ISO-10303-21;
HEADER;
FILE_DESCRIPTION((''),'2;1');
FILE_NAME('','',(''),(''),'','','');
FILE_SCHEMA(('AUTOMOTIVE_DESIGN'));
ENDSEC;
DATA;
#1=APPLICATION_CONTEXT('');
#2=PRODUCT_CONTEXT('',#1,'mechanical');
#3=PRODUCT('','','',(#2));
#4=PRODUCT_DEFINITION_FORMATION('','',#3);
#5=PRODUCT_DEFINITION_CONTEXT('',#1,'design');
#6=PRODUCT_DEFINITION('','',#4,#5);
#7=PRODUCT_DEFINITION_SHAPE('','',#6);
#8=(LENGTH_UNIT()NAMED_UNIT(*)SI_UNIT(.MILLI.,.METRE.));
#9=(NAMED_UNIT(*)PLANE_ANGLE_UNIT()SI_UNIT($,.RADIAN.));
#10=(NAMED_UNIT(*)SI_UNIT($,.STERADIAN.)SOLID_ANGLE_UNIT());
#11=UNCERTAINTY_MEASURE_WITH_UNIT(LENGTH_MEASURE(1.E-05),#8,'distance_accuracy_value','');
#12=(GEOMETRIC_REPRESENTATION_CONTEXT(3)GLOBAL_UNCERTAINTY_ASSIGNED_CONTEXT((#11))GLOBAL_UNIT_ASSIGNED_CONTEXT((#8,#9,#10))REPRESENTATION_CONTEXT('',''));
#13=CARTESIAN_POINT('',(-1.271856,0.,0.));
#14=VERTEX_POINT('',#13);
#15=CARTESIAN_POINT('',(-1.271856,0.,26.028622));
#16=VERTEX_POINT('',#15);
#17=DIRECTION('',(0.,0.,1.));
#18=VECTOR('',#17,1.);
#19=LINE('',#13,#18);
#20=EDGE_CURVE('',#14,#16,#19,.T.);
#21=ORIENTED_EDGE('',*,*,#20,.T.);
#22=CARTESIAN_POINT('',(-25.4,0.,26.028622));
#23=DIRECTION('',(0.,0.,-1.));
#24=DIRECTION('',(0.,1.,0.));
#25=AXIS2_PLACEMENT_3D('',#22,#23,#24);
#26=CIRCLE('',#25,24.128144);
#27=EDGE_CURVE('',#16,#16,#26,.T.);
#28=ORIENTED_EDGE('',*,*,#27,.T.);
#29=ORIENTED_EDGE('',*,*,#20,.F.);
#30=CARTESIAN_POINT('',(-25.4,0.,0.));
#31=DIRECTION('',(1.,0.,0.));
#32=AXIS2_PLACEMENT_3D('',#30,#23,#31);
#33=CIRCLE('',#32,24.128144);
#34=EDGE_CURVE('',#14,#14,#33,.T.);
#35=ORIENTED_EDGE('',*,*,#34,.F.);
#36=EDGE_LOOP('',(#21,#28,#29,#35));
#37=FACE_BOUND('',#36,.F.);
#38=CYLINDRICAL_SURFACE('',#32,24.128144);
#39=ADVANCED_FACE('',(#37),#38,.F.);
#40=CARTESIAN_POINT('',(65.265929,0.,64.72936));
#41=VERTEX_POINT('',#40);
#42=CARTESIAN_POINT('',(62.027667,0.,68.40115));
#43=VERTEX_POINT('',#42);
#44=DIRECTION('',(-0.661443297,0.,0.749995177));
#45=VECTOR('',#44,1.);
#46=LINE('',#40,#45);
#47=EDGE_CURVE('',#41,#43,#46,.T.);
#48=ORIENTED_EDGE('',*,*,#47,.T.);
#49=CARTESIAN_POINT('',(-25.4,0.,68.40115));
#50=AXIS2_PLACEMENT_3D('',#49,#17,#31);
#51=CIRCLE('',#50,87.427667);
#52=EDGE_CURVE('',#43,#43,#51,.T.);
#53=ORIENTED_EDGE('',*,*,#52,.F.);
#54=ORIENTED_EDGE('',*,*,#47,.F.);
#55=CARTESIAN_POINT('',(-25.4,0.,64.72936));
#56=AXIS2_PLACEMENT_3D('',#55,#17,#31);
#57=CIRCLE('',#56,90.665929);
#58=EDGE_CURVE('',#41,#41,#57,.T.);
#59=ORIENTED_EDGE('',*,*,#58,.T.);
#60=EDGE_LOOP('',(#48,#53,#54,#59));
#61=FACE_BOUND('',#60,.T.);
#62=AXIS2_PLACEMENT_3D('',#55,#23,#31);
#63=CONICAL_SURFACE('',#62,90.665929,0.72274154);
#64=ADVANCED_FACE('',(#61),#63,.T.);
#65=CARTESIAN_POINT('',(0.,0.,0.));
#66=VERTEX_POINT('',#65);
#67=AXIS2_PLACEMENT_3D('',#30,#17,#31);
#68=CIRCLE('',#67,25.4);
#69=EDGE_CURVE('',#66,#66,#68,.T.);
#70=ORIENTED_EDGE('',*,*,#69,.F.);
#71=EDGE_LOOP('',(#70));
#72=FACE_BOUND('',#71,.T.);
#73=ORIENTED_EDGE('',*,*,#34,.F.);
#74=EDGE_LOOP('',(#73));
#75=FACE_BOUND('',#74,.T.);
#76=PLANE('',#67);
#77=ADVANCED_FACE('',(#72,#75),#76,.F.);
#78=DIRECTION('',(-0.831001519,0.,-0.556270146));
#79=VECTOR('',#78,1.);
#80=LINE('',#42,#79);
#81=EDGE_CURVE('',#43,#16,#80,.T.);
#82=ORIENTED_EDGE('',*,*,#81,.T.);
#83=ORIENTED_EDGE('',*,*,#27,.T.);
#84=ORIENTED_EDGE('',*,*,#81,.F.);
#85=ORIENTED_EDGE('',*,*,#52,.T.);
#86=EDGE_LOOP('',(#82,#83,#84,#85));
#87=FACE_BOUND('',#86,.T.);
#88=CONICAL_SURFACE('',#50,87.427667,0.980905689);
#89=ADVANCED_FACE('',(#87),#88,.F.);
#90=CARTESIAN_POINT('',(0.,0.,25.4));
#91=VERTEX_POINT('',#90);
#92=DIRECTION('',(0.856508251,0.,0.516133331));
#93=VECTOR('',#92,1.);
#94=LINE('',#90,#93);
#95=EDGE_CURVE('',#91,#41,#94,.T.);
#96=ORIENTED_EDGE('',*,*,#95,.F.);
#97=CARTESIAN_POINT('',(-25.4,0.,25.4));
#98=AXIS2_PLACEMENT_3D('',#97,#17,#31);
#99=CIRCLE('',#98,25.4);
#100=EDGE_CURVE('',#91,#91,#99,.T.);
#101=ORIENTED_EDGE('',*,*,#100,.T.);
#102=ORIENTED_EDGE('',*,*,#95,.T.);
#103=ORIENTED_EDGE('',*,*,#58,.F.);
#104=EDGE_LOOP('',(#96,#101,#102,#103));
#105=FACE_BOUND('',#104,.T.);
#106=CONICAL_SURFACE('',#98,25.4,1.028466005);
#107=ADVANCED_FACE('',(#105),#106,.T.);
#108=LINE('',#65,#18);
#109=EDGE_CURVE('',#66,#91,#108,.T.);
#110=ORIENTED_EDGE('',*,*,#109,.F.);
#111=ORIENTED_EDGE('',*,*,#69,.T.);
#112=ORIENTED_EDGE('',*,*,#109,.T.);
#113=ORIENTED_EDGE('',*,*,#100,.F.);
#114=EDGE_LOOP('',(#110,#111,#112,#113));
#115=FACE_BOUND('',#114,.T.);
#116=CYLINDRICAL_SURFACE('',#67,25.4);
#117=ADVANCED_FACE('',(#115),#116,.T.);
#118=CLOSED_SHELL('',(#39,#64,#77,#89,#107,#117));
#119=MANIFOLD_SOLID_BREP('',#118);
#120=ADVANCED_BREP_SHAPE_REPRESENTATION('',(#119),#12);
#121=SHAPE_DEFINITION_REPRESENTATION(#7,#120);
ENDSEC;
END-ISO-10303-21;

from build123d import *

# Parameters (mm, degrees)
F2_R     = 24.128144
F3_DEPTH = 762


with BuildPart() as f1:
    # F0 (on Front) → F1 (revolve)
    with BuildSketch(Plane.XZ):
        Polygon((-25.4, 0), (0, 0), (0, 25.4), (65.265929, 64.72936), (62.027667, 68.40115), (-2.210943, 25.4), (-25.4, 25.4), align=None)
    revolve(axis=Axis((-25.4, 0, 12.7), (0, 0, 1)))

    # F2 (on face) → F3 (cut)
    with BuildSketch(Plane(origin=(0, 0, 0), x_dir=(1, 0, 0), z_dir=(0, 0, -1))):
        with Locations((-25.4, 0)):
            Circle(F2_R)
    extrude(amount=-F3_DEPTH, mode=Mode.SUBTRACT)


solid = f1.part
